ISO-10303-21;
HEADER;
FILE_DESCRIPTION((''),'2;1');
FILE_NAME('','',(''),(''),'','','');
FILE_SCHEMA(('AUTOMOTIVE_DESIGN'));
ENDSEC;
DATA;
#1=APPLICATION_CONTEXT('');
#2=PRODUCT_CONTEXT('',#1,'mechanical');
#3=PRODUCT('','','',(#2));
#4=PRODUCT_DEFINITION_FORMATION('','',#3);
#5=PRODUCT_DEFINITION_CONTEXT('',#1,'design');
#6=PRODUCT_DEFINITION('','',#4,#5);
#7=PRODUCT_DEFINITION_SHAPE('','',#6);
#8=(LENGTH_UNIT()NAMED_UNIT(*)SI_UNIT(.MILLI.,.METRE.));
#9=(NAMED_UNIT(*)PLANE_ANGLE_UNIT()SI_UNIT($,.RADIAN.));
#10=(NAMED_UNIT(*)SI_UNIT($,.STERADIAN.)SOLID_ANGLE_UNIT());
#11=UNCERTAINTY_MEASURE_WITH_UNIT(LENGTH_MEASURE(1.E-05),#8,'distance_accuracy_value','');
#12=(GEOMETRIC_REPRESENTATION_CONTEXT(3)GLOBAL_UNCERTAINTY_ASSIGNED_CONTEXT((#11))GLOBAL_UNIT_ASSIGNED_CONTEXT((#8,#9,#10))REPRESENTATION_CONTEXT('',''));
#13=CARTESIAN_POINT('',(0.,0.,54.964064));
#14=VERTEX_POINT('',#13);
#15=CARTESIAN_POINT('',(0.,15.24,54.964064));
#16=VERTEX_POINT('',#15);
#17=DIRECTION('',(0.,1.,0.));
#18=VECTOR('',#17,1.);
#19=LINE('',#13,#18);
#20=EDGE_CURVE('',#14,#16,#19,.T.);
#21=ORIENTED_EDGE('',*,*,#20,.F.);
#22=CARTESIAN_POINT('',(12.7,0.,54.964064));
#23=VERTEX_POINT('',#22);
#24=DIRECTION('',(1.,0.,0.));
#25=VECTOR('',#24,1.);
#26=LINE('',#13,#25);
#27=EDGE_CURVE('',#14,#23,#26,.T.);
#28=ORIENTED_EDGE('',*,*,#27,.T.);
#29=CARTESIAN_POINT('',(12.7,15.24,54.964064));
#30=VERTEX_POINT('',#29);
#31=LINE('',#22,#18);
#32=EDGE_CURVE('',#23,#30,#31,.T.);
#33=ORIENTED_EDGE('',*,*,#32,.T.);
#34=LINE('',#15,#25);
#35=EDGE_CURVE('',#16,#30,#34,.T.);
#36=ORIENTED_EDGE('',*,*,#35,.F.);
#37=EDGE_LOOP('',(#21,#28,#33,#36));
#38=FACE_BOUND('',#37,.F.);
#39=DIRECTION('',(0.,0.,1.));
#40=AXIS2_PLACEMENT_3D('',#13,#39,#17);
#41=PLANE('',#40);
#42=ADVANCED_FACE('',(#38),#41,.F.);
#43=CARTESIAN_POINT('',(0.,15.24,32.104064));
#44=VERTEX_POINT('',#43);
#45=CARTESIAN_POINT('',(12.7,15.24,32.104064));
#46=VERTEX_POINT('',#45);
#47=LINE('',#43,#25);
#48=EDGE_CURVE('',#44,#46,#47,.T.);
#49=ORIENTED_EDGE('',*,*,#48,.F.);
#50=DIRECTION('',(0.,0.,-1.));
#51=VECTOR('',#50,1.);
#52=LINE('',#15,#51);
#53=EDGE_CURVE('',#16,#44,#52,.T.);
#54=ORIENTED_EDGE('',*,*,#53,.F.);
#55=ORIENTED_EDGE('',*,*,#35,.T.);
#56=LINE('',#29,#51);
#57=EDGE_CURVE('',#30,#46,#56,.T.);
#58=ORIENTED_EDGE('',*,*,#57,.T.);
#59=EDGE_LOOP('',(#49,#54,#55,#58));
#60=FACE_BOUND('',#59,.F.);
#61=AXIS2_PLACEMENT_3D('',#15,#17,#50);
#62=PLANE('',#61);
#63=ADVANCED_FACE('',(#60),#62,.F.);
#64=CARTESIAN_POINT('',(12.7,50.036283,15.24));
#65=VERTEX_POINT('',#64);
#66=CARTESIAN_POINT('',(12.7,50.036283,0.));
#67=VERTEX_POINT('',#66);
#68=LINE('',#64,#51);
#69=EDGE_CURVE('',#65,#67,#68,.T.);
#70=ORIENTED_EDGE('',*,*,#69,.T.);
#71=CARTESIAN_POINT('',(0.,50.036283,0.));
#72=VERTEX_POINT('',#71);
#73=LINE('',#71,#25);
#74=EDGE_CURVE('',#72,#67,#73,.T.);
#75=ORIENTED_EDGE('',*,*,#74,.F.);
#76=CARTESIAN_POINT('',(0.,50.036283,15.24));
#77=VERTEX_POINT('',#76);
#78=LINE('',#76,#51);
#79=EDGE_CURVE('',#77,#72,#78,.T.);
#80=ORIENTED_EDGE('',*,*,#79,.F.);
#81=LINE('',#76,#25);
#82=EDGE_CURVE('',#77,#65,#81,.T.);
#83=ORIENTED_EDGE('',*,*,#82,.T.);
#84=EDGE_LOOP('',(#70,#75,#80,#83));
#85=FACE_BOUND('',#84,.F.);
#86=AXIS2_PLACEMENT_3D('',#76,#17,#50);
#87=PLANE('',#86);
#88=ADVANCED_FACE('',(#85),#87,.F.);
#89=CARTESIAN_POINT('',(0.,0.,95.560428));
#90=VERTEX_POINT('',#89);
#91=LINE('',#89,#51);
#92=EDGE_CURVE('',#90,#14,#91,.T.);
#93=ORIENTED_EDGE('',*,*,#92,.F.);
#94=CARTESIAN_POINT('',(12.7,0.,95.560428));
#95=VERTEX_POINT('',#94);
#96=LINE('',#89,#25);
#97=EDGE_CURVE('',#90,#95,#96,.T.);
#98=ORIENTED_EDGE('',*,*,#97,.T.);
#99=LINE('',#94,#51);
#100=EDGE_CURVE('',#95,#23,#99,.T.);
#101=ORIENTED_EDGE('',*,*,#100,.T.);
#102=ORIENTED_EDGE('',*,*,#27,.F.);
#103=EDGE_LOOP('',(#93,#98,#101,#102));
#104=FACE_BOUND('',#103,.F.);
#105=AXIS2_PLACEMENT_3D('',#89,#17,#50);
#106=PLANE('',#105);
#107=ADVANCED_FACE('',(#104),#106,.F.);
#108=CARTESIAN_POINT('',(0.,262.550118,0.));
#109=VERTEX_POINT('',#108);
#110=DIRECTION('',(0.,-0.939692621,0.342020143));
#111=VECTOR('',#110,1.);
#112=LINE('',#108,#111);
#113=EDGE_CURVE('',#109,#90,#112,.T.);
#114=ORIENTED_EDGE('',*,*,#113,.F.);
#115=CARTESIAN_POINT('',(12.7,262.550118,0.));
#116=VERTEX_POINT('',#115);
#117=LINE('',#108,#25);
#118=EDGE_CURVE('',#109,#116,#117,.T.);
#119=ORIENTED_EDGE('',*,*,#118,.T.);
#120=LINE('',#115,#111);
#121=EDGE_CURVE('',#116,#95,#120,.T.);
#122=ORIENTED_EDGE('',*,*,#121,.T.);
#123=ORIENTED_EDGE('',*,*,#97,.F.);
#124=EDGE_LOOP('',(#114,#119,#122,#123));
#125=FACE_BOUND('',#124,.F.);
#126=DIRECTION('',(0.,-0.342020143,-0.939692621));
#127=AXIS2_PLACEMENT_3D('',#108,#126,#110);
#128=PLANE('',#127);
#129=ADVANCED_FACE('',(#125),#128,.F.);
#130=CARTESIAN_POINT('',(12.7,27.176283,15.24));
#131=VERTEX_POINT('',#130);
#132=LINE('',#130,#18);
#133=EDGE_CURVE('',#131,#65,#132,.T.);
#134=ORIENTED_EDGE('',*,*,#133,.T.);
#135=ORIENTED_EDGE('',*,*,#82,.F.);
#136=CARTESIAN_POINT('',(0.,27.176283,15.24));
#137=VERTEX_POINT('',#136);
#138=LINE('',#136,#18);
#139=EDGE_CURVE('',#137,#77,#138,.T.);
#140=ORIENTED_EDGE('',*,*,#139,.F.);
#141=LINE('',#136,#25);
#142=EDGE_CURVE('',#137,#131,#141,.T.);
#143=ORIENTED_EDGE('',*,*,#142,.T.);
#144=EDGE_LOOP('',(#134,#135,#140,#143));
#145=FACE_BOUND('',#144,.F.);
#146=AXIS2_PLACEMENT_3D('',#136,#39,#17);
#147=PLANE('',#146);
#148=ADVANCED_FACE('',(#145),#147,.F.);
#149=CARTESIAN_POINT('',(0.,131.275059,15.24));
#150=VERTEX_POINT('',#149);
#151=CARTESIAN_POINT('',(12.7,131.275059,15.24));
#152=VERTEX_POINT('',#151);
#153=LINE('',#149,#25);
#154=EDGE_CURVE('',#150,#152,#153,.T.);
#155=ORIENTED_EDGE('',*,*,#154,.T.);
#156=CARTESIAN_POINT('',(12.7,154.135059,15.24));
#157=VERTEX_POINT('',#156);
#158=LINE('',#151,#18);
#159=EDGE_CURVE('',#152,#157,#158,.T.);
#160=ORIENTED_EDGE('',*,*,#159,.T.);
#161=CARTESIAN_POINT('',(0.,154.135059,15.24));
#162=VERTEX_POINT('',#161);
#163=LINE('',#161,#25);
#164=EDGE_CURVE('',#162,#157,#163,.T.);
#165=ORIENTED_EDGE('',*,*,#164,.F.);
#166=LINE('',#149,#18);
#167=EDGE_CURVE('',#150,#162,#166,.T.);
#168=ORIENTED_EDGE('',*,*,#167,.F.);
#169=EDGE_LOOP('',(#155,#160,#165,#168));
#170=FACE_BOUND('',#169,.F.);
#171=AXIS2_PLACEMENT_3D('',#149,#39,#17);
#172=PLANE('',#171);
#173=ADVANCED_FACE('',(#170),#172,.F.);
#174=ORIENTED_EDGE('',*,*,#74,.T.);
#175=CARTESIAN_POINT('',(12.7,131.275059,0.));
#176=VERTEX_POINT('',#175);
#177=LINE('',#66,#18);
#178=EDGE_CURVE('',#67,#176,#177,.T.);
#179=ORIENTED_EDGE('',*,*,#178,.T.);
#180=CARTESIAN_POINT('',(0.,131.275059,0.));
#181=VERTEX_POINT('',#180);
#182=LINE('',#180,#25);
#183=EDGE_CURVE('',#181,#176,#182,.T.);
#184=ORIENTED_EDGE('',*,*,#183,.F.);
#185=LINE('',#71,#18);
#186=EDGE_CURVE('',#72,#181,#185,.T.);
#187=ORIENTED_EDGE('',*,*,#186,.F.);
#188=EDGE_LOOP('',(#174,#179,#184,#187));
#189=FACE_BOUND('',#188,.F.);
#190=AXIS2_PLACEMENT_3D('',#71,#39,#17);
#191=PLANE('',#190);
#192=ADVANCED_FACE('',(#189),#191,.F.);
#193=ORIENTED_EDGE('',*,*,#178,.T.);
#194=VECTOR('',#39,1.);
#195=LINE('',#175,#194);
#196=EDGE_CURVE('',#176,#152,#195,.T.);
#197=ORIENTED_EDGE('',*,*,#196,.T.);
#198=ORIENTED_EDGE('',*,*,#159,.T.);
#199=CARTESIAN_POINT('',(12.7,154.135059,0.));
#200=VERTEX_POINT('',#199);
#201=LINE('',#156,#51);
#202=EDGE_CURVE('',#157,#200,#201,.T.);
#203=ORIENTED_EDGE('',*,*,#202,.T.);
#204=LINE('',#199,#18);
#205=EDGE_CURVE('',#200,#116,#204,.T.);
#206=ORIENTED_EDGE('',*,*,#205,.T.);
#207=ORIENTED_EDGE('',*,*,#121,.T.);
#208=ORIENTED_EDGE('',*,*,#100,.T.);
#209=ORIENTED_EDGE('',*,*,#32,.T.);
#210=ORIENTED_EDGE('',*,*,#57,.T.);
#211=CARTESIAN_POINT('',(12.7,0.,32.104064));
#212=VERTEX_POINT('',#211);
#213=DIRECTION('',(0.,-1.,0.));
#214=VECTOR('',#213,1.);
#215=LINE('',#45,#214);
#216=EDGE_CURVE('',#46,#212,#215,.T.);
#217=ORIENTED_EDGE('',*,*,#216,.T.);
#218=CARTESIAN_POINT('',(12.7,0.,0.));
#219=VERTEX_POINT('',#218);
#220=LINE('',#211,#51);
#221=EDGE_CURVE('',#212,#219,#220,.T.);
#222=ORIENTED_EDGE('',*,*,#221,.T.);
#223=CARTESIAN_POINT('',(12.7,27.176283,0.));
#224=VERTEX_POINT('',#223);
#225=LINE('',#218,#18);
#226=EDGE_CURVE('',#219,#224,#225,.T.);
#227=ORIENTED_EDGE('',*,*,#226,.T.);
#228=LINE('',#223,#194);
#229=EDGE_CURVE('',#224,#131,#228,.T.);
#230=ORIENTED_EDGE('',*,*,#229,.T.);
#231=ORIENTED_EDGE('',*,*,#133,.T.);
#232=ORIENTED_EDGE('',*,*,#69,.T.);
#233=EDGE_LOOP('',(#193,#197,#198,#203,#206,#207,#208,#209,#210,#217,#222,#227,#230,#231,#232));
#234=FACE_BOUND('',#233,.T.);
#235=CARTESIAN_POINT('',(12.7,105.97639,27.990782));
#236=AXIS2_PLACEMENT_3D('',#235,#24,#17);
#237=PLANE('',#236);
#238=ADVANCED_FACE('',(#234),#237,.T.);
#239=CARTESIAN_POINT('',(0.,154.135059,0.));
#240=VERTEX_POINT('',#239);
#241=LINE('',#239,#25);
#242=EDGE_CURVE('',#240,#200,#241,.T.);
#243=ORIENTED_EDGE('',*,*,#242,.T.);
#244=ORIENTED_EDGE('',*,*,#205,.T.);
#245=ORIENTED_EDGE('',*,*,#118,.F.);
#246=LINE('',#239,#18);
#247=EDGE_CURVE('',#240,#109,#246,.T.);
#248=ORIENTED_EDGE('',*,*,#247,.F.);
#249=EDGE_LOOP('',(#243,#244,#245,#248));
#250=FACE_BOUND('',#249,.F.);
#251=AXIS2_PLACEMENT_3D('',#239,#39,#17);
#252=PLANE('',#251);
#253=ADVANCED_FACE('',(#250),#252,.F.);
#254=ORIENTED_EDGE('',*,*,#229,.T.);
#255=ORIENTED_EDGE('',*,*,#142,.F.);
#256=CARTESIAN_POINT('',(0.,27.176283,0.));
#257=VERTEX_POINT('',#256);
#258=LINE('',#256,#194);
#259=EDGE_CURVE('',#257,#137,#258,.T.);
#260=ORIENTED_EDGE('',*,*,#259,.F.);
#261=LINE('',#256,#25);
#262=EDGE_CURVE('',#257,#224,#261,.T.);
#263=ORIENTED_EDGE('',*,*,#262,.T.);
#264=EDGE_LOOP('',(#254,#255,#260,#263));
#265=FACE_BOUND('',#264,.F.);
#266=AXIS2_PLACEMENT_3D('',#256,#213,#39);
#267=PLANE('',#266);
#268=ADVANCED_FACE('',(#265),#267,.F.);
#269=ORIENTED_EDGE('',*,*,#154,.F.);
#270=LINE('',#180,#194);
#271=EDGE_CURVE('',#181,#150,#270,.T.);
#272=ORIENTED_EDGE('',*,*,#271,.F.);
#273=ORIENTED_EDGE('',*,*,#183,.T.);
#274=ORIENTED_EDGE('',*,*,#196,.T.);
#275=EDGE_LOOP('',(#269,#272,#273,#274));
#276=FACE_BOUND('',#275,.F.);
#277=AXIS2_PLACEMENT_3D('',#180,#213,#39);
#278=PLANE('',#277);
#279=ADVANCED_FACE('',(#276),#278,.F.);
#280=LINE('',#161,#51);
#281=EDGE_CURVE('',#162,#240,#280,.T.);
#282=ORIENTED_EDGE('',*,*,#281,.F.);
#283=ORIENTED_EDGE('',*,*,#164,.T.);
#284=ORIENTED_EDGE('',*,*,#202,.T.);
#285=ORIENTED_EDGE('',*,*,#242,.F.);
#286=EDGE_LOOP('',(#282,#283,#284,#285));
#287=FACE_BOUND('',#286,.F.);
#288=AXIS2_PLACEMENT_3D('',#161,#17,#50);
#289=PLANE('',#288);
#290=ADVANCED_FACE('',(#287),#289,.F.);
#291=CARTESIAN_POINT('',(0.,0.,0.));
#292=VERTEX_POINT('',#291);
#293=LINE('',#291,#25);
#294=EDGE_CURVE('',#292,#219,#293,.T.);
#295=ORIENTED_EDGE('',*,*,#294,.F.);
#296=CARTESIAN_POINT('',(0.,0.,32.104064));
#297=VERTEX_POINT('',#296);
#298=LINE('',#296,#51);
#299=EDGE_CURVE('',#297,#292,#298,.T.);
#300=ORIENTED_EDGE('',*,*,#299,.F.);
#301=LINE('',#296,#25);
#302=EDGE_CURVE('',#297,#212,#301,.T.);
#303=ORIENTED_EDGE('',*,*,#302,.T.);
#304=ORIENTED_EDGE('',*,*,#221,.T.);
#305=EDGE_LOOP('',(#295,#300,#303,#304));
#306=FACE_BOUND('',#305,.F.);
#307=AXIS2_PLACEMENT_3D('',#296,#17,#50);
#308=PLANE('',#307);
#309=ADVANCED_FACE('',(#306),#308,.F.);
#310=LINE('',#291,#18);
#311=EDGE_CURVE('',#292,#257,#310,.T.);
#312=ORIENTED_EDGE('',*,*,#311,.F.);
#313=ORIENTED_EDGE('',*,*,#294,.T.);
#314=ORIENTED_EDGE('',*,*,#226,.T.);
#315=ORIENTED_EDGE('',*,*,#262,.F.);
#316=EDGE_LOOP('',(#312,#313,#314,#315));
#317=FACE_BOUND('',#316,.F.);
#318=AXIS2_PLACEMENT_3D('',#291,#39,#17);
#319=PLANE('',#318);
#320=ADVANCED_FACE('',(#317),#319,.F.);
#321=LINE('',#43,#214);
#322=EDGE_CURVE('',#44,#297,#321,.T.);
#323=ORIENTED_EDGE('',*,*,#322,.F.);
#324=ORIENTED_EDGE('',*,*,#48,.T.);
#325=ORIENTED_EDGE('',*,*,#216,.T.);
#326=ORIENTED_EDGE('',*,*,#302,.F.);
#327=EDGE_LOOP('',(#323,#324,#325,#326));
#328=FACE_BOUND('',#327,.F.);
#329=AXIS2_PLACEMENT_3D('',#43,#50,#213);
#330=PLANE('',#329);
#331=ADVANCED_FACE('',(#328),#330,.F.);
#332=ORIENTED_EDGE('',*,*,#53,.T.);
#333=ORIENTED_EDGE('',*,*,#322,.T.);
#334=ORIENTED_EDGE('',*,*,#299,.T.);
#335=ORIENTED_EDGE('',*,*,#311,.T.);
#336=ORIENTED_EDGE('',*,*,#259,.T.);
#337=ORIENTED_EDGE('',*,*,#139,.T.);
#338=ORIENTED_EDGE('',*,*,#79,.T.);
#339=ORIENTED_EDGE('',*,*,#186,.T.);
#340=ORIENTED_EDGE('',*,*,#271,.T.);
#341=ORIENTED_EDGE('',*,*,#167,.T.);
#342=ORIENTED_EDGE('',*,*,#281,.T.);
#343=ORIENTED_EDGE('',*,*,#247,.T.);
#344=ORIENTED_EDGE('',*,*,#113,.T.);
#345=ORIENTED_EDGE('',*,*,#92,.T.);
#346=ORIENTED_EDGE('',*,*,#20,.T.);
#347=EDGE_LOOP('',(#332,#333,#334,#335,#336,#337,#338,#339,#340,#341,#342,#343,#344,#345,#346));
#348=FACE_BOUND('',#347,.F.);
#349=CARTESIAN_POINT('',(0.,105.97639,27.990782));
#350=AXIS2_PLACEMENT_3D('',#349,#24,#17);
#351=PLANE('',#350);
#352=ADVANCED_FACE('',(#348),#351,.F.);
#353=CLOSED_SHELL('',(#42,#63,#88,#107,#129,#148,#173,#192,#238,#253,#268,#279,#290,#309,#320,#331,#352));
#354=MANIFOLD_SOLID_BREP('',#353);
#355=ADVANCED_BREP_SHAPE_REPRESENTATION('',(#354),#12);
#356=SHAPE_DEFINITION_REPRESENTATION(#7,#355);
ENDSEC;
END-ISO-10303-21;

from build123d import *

# Parameters (mm, degrees)
F1_DEPTH = 12.7


with BuildPart() as f1:
    # F0 (on Right) → F1 (new body)
    with BuildSketch(Plane.YZ):
        Polygon((0, 32.104064), (0, 0), (27.176283, 0), (27.176283, 15.24), (50.036283, 15.24), (50.036283, 0), (131.275059, 0), (131.275059, 15.24), (154.135059, 15.24), (154.135059, 0), (262.550118, 0), (0, 95.560428), (0, 54.964064), (15.24, 54.964064), (15.24, 32.104064), align=None)
    extrude(amount=F1_DEPTH)


solid = f1.part
